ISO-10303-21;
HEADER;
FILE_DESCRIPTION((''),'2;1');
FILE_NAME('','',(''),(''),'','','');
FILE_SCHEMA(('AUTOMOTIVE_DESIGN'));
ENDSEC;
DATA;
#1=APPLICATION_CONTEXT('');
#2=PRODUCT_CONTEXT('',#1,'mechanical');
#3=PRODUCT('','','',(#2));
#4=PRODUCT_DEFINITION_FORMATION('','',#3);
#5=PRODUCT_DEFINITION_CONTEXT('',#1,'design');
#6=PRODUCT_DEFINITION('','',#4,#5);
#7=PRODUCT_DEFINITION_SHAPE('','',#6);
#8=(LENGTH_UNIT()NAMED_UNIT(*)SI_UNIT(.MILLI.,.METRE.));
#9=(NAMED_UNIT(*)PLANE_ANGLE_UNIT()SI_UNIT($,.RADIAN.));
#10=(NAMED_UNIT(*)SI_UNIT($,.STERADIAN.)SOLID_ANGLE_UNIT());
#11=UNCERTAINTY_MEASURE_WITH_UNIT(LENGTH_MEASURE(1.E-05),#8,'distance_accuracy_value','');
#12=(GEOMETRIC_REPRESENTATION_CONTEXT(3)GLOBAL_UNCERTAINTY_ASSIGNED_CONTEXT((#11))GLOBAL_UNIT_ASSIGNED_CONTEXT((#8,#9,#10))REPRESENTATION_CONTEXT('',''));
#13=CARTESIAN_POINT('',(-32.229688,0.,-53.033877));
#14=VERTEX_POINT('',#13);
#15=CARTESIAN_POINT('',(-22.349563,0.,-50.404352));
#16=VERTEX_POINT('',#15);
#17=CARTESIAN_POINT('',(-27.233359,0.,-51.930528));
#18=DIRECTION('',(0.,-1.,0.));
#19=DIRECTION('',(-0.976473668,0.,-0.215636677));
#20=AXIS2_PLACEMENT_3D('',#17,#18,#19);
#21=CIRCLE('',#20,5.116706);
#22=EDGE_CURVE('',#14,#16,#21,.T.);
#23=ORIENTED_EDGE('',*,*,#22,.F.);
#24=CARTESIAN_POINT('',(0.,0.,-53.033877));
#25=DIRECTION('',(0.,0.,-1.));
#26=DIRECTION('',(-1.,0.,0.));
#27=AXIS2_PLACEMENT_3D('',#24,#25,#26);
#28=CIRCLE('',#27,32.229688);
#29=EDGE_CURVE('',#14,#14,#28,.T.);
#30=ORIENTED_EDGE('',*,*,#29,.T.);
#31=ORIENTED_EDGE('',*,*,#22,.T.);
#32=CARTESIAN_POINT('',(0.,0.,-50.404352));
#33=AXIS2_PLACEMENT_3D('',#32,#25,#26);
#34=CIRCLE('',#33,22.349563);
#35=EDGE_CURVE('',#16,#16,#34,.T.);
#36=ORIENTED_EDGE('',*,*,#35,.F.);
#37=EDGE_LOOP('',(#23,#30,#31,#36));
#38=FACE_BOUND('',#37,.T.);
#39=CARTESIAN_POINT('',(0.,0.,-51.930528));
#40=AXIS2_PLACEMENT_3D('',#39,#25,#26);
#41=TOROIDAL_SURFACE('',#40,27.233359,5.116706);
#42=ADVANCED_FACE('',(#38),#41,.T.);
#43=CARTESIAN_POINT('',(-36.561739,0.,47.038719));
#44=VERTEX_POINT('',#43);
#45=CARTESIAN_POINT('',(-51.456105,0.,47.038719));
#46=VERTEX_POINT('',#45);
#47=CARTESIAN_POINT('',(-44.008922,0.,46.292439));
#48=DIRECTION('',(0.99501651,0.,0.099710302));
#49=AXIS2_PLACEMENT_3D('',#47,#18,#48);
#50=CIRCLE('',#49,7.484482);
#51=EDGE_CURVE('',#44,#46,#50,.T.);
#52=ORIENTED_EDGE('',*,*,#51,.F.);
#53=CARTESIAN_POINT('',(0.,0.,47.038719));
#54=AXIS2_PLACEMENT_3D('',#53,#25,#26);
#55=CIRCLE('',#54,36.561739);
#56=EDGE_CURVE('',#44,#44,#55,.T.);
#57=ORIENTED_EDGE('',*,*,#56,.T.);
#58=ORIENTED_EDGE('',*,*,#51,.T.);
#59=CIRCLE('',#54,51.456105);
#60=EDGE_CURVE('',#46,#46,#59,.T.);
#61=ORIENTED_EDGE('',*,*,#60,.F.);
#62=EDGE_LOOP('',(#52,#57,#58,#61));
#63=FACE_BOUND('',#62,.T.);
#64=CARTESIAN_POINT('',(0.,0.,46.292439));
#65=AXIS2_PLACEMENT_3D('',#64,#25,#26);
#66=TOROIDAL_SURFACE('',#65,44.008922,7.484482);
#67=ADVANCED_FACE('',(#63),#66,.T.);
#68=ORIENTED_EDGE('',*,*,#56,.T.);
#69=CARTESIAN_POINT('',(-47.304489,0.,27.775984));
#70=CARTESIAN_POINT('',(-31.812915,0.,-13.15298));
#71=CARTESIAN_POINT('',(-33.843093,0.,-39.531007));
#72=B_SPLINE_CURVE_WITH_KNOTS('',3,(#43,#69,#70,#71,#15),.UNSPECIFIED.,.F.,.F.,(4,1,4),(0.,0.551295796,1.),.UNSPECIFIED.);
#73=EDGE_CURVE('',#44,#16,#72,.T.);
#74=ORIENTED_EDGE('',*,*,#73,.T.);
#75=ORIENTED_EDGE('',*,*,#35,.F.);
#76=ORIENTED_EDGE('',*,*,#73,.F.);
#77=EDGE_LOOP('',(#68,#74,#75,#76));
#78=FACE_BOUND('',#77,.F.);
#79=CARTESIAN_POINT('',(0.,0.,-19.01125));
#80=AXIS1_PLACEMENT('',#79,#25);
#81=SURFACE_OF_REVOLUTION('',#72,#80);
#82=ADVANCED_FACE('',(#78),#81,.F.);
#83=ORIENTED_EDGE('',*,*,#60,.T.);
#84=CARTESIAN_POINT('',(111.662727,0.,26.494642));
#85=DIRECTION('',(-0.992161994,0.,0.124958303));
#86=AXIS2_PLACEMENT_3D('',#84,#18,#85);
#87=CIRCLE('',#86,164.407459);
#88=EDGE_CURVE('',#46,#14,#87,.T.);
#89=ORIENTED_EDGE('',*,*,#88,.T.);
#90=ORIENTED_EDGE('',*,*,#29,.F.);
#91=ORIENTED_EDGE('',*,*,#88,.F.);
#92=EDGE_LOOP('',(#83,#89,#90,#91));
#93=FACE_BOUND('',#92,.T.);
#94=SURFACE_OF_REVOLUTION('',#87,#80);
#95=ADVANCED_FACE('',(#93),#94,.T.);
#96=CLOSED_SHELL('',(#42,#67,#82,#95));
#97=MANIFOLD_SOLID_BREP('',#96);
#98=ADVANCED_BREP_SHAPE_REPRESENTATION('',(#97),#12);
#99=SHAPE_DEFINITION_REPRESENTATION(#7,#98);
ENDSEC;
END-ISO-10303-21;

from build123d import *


with BuildPart() as f1:
    # F0 (on Front) → F1 (revolve)
    with BuildSketch(Plane.XZ):
        with BuildLine():
            add(Edge.make_bspline(
                [(-36.5617386997, 47.038719058), (-47.3044887185, 27.7759842575), (-31.8129149163, -13.1529801529), (-33.8430926204, -39.5310074091), (-22.3495630965, -50.4043517855)],
                knots=[0, 0, 0, 0, 0.5512957959, 1, 1, 1, 1], degree=3))
            ThreePointArc((-36.5617386997, 47.038719058), (-44.0089218318, 53.7769210742), (-51.456104964, 47.038719058))
            ThreePointArc((-51.456104964, 47.038719058), (-49.7919340249, -4.5247854582), (-32.2296880186, -53.0338771641))
            ThreePointArc((-32.2296880186, -53.0338771641), (-25.9173933102, -56.8751118786), (-22.3495630965, -50.4043517855))
        make_face()
    revolve(axis=Axis((0, 0, -19.0112497658), (0, 0, -1)))


solid = f1.part
